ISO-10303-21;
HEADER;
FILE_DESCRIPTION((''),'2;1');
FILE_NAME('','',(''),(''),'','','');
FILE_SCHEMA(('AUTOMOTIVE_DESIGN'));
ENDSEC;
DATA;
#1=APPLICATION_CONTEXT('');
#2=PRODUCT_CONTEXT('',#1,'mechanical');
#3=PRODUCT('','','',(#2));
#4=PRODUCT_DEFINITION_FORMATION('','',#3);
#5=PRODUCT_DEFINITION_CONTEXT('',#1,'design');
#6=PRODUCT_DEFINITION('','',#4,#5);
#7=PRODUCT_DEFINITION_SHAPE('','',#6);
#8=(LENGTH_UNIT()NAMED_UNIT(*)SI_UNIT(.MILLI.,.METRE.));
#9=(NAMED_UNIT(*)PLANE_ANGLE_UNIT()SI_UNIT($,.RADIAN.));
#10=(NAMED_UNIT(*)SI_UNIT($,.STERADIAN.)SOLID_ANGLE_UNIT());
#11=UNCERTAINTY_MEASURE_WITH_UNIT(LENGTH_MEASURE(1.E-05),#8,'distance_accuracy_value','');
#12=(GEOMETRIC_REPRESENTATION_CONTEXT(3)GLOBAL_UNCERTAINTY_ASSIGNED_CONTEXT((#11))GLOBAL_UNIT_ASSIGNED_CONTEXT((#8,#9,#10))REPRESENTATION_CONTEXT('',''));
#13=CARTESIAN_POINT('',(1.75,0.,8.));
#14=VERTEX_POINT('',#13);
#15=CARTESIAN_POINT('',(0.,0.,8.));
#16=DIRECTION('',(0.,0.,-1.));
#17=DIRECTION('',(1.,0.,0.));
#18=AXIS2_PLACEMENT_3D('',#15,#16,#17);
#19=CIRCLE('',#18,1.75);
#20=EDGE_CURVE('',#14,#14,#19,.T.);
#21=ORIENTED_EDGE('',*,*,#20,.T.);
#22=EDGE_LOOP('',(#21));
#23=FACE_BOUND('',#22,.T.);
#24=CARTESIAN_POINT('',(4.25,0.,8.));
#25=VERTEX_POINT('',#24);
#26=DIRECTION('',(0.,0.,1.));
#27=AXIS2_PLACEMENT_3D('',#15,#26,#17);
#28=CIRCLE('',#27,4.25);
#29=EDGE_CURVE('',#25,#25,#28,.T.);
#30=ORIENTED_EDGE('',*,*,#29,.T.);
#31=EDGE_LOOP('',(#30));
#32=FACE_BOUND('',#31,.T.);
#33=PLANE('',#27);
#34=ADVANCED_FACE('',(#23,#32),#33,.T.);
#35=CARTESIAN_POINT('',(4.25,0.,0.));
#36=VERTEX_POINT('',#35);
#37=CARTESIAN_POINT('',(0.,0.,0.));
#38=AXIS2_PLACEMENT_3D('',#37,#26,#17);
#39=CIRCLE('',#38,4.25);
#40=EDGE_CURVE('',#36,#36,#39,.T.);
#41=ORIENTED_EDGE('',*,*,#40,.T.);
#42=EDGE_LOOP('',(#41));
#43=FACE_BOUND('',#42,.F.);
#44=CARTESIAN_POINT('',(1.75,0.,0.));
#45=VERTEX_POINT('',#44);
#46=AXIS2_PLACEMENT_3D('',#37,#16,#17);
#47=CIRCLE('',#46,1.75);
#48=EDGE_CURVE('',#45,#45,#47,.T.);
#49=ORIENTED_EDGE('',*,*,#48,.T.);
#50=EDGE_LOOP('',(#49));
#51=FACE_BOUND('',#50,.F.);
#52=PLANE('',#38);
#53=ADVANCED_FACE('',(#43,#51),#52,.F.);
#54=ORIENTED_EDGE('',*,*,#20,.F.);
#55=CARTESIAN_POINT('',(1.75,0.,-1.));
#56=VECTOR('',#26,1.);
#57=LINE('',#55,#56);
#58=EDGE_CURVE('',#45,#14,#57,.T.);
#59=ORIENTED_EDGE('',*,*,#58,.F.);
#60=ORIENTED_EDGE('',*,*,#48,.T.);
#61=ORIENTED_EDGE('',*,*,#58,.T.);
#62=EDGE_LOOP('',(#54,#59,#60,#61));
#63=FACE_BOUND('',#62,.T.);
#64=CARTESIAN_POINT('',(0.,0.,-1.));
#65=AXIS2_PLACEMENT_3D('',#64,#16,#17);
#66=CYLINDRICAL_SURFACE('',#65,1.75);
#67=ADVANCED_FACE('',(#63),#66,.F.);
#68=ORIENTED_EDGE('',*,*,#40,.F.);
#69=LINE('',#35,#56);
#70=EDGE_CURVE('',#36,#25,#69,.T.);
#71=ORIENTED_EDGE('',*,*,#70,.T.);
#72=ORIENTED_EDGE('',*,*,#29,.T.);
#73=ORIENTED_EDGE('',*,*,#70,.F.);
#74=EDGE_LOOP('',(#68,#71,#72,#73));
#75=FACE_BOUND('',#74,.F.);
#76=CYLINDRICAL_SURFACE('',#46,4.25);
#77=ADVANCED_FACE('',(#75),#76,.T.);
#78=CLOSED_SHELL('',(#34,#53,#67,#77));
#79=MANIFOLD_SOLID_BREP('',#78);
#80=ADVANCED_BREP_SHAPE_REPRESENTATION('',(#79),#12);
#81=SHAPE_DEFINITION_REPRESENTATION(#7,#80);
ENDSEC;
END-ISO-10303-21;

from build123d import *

# Parameters (mm, degrees)
CYLINDER_R        = 1.75
CYLINDER_DEPTH    = 10
CYLINDER001_R     = 4.25
CYLINDER001_DEPTH = 8


with BuildPart() as spacer_hole_cylinder:
    # Cylinder → Cylinder (new body)
    with BuildSketch(Plane.XY.offset(-1)):
        Circle(CYLINDER_R)
    extrude(amount=CYLINDER_DEPTH)


with BuildPart() as spacer_cut:
    # Cylinder001 → Cylinder001 (new body)
    with BuildSketch(Plane.XY):
        Circle(CYLINDER001_R)
    extrude(amount=CYLINDER001_DEPTH)

    # Cut002: cut spacer-hole-cylinder
    add(spacer_hole_cylinder.part, mode=Mode.SUBTRACT)


solid = spacer_cut.part
